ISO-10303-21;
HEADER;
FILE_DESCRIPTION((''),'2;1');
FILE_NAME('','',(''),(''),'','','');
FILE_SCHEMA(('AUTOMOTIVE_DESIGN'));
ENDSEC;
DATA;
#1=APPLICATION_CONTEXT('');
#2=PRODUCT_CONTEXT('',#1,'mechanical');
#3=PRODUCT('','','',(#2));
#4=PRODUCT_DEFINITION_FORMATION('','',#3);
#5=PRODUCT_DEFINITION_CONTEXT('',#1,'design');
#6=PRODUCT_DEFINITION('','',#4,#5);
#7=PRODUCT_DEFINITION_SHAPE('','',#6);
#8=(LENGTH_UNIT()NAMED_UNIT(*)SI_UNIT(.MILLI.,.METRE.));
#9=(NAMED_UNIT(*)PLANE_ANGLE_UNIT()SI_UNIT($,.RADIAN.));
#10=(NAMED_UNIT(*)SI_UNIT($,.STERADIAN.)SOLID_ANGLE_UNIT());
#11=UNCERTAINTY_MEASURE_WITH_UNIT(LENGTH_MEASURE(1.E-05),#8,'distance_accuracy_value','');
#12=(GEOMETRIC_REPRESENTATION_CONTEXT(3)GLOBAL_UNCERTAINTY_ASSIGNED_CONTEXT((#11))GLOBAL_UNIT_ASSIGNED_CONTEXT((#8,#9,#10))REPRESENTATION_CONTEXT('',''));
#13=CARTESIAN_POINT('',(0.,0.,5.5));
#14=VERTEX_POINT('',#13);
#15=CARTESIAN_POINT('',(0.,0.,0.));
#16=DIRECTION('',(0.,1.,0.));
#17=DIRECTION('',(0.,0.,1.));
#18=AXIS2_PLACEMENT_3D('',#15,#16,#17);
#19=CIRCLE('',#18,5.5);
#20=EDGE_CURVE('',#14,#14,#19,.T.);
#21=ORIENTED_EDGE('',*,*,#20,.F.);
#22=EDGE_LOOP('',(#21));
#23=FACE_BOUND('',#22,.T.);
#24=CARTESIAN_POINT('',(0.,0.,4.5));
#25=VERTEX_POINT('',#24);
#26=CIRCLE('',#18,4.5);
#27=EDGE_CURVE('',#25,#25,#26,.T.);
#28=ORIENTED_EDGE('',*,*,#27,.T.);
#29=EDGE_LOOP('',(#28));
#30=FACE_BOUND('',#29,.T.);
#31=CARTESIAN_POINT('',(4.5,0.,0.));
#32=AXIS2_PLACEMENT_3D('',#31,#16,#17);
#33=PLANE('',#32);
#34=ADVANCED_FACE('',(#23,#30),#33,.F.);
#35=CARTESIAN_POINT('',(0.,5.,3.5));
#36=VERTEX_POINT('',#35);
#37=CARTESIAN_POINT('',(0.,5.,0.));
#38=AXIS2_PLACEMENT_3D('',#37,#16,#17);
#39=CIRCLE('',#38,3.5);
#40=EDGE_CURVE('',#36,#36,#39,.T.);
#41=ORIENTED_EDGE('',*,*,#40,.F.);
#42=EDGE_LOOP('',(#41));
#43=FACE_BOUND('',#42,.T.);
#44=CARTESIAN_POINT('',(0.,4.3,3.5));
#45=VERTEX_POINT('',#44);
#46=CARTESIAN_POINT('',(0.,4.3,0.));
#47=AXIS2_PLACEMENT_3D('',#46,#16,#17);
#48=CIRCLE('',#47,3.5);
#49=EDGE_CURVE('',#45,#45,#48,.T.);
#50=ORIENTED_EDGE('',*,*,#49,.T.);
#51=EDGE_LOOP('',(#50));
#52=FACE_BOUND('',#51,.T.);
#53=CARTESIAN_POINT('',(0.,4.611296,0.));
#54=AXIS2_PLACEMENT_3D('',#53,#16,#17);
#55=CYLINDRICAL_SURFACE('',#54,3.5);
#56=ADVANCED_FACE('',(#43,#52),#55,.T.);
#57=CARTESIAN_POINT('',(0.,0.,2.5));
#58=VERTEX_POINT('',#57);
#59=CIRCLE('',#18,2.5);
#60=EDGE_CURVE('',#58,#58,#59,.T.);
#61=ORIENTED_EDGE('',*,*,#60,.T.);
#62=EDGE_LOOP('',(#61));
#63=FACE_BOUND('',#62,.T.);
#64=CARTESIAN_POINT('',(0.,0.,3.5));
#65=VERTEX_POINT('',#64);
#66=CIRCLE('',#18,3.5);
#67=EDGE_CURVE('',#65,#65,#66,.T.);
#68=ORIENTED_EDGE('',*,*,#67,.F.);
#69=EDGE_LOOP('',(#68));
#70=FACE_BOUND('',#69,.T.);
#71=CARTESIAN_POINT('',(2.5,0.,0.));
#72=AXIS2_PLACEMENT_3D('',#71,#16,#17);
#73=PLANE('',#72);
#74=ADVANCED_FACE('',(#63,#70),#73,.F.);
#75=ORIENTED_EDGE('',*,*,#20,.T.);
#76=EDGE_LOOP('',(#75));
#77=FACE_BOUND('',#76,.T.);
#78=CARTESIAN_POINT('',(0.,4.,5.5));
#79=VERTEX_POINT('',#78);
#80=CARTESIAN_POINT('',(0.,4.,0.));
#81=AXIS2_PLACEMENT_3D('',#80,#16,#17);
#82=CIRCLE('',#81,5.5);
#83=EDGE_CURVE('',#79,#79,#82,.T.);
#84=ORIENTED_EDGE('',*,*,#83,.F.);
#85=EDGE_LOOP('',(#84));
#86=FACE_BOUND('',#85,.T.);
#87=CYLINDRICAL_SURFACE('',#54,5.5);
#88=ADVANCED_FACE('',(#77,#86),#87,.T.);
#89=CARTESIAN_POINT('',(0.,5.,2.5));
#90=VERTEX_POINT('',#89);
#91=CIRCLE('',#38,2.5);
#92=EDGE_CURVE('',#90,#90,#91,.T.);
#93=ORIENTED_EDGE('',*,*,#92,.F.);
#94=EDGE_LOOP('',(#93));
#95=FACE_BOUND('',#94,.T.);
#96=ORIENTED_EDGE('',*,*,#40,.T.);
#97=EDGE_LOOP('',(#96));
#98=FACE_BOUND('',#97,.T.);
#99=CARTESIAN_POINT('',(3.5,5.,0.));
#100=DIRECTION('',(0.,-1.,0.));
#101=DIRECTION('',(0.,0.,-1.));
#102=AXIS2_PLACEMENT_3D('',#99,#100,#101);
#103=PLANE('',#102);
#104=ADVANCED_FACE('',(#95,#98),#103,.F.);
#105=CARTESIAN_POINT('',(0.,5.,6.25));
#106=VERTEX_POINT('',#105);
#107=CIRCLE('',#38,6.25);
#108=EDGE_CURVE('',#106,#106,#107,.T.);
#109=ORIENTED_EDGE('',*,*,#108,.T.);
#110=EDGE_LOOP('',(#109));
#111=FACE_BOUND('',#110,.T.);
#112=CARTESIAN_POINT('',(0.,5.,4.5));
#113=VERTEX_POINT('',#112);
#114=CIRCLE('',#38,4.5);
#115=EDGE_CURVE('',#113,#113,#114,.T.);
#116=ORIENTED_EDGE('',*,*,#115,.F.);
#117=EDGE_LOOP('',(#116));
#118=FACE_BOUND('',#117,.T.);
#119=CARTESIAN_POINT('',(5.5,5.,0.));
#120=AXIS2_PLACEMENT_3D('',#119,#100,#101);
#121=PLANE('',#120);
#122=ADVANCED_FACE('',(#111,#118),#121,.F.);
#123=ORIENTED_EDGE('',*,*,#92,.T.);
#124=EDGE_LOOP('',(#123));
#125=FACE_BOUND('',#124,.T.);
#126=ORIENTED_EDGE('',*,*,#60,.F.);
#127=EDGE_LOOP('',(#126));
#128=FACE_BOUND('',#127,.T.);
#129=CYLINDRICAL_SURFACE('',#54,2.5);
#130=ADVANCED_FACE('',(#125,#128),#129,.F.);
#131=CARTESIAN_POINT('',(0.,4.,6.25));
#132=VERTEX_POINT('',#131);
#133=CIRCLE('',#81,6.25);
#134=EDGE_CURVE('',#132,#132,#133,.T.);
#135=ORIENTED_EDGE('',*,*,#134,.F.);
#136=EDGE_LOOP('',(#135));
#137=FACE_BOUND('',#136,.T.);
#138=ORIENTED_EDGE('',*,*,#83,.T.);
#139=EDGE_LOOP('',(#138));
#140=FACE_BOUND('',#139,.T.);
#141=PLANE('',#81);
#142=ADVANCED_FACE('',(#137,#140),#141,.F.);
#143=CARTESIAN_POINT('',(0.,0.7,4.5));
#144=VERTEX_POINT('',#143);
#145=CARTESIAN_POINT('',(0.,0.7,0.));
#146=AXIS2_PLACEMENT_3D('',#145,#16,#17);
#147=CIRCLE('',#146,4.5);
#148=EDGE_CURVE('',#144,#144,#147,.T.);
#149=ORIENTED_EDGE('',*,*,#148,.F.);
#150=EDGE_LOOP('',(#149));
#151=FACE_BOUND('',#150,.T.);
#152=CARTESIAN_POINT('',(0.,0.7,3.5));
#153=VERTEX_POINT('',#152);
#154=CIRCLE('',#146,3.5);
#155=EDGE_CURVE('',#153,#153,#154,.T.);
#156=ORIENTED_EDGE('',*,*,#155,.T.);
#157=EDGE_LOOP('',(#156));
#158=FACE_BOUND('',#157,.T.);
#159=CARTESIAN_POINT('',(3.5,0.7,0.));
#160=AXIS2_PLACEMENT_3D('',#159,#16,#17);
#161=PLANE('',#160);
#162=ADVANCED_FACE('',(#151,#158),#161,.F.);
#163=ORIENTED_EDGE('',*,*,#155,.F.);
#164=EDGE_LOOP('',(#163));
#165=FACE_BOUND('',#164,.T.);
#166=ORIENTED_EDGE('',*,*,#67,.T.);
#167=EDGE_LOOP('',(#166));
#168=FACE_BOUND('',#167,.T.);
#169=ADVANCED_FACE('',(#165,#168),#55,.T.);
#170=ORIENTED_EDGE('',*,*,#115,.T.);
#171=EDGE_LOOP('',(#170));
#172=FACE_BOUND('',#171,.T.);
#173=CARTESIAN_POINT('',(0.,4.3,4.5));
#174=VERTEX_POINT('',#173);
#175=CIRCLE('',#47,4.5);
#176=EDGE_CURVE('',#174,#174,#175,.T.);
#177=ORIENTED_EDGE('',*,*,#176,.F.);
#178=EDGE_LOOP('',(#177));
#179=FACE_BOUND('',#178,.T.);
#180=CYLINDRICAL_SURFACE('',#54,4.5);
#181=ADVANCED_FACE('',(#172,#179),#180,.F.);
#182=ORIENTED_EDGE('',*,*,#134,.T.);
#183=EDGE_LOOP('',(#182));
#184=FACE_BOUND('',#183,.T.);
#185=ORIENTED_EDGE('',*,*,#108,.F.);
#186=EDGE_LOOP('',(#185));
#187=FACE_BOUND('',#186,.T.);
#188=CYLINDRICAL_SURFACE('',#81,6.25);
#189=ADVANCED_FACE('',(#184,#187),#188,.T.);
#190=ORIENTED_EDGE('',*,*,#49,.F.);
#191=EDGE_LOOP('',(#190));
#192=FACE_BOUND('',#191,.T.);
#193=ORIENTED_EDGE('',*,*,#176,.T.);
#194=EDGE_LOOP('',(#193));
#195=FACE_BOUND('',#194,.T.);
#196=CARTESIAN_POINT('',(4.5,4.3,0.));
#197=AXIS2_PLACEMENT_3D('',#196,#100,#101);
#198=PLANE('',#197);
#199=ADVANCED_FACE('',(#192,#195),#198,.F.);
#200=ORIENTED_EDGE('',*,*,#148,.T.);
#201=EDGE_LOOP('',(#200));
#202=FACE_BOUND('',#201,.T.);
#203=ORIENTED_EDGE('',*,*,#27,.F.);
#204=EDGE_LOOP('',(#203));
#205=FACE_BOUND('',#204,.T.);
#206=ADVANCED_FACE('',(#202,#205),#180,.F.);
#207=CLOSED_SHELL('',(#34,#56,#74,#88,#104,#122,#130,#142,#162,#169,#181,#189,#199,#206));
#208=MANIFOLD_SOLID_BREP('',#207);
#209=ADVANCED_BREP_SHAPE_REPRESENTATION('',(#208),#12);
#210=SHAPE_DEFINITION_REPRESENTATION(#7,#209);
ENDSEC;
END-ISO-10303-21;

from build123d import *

# Parameters (mm, degrees)
SKETCH_2_R      = 6.25
SKETCH_2_R_2    = 5.5
EXTRUDE_1_DEPTH = 1


with BuildPart() as part:
    # 草图1 → 旋转1 (revolve)
    with BuildSketch(Plane.XY, mode=Mode.PRIVATE) as revolve_1_sk:
        Polygon((2.5, 5), (2.5, 0), (3.5, 0), (3.5, 0.7), (4.5, 0.7), (4.5, 0), (5.5, 0), (5.5, 5), (4.5, 5), (4.5, 4.3), (3.5, 4.3), (3.5, 5), align=None)
    revolve(revolve_1_sk.sketch.rotate(Axis((0, 4.611296038, 0), (0, -1, 0)), 90), axis=Axis((0, 4.611296038, 0), (0, -1, 0)))

    # 草图2 → 凸台-拉伸1 (add)
    with BuildSketch(Plane(origin=(0, 5, 0), x_dir=(1, 0, 0), z_dir=(0, 1, 0))):
        with Locations(Location((0, 0, 0), (0, 0, 270))):
            Circle(SKETCH_2_R)
        with Locations(Location((0, 0, 0), (0, 0, 270))):
            Circle(SKETCH_2_R_2, mode=Mode.SUBTRACT)
    extrude(amount=-EXTRUDE_1_DEPTH)


solid = part.part
